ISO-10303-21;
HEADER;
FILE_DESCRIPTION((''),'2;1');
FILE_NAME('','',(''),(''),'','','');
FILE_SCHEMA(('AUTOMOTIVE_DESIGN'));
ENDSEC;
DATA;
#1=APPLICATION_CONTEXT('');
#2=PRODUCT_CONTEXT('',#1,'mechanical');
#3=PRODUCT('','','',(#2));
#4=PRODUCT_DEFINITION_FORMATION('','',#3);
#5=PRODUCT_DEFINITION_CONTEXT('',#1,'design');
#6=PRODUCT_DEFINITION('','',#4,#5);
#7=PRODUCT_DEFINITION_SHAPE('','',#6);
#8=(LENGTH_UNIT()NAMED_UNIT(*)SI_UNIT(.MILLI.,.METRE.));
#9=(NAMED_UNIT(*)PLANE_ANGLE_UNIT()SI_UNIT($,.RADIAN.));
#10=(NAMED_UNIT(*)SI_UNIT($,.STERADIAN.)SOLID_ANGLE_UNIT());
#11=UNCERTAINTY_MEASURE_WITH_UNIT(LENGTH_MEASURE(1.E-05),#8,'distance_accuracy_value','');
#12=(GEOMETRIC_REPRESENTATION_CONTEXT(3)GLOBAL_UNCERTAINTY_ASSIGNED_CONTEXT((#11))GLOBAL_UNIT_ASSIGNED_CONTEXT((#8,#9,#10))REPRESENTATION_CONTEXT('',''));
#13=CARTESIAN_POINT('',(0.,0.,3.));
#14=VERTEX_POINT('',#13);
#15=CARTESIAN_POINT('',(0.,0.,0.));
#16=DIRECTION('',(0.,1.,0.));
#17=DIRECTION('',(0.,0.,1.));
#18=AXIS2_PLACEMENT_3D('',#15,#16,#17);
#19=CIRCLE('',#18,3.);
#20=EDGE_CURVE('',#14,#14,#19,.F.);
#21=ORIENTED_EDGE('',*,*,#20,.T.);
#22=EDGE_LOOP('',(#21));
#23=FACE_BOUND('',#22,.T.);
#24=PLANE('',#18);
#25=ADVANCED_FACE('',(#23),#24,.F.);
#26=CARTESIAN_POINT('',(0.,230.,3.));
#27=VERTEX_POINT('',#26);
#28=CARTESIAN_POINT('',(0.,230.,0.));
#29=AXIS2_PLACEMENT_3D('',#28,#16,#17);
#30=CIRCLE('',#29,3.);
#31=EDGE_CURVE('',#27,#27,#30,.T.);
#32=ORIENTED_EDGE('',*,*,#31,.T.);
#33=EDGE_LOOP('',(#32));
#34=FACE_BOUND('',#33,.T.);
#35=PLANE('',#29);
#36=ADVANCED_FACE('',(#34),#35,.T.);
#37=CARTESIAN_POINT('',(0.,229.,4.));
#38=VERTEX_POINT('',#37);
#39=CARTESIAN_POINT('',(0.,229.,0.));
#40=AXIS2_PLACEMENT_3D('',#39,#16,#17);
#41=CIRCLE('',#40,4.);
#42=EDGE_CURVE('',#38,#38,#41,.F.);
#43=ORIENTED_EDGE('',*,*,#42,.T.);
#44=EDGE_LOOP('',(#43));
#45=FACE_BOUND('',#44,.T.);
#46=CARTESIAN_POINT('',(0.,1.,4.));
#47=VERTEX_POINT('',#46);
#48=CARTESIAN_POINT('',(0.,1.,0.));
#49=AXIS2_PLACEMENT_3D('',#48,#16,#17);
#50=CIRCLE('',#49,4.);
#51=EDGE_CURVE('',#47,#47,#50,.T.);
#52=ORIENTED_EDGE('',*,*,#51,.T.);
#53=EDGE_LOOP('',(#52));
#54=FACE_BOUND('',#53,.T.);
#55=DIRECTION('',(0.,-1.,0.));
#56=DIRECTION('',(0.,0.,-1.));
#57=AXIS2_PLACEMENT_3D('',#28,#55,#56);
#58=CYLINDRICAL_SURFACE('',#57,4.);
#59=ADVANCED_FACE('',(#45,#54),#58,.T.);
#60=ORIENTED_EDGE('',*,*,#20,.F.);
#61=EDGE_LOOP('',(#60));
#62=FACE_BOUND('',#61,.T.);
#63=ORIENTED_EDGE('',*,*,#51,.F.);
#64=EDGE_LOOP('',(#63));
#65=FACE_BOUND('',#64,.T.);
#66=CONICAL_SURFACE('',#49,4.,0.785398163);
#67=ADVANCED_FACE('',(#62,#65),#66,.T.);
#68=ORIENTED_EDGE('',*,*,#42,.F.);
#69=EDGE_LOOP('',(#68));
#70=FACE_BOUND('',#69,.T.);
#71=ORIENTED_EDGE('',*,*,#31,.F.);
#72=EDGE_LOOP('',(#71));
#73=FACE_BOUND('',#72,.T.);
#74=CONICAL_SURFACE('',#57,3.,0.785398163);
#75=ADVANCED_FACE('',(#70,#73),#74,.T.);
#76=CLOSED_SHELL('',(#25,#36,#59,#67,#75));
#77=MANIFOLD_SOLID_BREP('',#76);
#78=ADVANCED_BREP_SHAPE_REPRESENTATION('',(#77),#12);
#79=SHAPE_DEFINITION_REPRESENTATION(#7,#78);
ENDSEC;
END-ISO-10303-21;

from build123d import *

# Parameters (mm, degrees)
SKETCH_1_R      = 4
EXTRUDE_1_DEPTH = 230
CHAMFER_1_SIZE  = 1


with BuildPart() as part:
    # 草图1 → 凸台-拉伸1 (new body)
    with BuildSketch(Plane(origin=(0, 0, 0), x_dir=(1, 0, 0), z_dir=(0, 1, 0))):
        Circle(SKETCH_1_R)
    extrude(amount=EXTRUDE_1_DEPTH)

    # 倒角1
    chamfer_1_edges = [part.edges().sort_by_distance(p)[0] for p in [
        (-4, 0, 0),
        (-4, 230, 0),
    ]]
    chamfer(chamfer_1_edges, length=CHAMFER_1_SIZE)


solid = part.part
